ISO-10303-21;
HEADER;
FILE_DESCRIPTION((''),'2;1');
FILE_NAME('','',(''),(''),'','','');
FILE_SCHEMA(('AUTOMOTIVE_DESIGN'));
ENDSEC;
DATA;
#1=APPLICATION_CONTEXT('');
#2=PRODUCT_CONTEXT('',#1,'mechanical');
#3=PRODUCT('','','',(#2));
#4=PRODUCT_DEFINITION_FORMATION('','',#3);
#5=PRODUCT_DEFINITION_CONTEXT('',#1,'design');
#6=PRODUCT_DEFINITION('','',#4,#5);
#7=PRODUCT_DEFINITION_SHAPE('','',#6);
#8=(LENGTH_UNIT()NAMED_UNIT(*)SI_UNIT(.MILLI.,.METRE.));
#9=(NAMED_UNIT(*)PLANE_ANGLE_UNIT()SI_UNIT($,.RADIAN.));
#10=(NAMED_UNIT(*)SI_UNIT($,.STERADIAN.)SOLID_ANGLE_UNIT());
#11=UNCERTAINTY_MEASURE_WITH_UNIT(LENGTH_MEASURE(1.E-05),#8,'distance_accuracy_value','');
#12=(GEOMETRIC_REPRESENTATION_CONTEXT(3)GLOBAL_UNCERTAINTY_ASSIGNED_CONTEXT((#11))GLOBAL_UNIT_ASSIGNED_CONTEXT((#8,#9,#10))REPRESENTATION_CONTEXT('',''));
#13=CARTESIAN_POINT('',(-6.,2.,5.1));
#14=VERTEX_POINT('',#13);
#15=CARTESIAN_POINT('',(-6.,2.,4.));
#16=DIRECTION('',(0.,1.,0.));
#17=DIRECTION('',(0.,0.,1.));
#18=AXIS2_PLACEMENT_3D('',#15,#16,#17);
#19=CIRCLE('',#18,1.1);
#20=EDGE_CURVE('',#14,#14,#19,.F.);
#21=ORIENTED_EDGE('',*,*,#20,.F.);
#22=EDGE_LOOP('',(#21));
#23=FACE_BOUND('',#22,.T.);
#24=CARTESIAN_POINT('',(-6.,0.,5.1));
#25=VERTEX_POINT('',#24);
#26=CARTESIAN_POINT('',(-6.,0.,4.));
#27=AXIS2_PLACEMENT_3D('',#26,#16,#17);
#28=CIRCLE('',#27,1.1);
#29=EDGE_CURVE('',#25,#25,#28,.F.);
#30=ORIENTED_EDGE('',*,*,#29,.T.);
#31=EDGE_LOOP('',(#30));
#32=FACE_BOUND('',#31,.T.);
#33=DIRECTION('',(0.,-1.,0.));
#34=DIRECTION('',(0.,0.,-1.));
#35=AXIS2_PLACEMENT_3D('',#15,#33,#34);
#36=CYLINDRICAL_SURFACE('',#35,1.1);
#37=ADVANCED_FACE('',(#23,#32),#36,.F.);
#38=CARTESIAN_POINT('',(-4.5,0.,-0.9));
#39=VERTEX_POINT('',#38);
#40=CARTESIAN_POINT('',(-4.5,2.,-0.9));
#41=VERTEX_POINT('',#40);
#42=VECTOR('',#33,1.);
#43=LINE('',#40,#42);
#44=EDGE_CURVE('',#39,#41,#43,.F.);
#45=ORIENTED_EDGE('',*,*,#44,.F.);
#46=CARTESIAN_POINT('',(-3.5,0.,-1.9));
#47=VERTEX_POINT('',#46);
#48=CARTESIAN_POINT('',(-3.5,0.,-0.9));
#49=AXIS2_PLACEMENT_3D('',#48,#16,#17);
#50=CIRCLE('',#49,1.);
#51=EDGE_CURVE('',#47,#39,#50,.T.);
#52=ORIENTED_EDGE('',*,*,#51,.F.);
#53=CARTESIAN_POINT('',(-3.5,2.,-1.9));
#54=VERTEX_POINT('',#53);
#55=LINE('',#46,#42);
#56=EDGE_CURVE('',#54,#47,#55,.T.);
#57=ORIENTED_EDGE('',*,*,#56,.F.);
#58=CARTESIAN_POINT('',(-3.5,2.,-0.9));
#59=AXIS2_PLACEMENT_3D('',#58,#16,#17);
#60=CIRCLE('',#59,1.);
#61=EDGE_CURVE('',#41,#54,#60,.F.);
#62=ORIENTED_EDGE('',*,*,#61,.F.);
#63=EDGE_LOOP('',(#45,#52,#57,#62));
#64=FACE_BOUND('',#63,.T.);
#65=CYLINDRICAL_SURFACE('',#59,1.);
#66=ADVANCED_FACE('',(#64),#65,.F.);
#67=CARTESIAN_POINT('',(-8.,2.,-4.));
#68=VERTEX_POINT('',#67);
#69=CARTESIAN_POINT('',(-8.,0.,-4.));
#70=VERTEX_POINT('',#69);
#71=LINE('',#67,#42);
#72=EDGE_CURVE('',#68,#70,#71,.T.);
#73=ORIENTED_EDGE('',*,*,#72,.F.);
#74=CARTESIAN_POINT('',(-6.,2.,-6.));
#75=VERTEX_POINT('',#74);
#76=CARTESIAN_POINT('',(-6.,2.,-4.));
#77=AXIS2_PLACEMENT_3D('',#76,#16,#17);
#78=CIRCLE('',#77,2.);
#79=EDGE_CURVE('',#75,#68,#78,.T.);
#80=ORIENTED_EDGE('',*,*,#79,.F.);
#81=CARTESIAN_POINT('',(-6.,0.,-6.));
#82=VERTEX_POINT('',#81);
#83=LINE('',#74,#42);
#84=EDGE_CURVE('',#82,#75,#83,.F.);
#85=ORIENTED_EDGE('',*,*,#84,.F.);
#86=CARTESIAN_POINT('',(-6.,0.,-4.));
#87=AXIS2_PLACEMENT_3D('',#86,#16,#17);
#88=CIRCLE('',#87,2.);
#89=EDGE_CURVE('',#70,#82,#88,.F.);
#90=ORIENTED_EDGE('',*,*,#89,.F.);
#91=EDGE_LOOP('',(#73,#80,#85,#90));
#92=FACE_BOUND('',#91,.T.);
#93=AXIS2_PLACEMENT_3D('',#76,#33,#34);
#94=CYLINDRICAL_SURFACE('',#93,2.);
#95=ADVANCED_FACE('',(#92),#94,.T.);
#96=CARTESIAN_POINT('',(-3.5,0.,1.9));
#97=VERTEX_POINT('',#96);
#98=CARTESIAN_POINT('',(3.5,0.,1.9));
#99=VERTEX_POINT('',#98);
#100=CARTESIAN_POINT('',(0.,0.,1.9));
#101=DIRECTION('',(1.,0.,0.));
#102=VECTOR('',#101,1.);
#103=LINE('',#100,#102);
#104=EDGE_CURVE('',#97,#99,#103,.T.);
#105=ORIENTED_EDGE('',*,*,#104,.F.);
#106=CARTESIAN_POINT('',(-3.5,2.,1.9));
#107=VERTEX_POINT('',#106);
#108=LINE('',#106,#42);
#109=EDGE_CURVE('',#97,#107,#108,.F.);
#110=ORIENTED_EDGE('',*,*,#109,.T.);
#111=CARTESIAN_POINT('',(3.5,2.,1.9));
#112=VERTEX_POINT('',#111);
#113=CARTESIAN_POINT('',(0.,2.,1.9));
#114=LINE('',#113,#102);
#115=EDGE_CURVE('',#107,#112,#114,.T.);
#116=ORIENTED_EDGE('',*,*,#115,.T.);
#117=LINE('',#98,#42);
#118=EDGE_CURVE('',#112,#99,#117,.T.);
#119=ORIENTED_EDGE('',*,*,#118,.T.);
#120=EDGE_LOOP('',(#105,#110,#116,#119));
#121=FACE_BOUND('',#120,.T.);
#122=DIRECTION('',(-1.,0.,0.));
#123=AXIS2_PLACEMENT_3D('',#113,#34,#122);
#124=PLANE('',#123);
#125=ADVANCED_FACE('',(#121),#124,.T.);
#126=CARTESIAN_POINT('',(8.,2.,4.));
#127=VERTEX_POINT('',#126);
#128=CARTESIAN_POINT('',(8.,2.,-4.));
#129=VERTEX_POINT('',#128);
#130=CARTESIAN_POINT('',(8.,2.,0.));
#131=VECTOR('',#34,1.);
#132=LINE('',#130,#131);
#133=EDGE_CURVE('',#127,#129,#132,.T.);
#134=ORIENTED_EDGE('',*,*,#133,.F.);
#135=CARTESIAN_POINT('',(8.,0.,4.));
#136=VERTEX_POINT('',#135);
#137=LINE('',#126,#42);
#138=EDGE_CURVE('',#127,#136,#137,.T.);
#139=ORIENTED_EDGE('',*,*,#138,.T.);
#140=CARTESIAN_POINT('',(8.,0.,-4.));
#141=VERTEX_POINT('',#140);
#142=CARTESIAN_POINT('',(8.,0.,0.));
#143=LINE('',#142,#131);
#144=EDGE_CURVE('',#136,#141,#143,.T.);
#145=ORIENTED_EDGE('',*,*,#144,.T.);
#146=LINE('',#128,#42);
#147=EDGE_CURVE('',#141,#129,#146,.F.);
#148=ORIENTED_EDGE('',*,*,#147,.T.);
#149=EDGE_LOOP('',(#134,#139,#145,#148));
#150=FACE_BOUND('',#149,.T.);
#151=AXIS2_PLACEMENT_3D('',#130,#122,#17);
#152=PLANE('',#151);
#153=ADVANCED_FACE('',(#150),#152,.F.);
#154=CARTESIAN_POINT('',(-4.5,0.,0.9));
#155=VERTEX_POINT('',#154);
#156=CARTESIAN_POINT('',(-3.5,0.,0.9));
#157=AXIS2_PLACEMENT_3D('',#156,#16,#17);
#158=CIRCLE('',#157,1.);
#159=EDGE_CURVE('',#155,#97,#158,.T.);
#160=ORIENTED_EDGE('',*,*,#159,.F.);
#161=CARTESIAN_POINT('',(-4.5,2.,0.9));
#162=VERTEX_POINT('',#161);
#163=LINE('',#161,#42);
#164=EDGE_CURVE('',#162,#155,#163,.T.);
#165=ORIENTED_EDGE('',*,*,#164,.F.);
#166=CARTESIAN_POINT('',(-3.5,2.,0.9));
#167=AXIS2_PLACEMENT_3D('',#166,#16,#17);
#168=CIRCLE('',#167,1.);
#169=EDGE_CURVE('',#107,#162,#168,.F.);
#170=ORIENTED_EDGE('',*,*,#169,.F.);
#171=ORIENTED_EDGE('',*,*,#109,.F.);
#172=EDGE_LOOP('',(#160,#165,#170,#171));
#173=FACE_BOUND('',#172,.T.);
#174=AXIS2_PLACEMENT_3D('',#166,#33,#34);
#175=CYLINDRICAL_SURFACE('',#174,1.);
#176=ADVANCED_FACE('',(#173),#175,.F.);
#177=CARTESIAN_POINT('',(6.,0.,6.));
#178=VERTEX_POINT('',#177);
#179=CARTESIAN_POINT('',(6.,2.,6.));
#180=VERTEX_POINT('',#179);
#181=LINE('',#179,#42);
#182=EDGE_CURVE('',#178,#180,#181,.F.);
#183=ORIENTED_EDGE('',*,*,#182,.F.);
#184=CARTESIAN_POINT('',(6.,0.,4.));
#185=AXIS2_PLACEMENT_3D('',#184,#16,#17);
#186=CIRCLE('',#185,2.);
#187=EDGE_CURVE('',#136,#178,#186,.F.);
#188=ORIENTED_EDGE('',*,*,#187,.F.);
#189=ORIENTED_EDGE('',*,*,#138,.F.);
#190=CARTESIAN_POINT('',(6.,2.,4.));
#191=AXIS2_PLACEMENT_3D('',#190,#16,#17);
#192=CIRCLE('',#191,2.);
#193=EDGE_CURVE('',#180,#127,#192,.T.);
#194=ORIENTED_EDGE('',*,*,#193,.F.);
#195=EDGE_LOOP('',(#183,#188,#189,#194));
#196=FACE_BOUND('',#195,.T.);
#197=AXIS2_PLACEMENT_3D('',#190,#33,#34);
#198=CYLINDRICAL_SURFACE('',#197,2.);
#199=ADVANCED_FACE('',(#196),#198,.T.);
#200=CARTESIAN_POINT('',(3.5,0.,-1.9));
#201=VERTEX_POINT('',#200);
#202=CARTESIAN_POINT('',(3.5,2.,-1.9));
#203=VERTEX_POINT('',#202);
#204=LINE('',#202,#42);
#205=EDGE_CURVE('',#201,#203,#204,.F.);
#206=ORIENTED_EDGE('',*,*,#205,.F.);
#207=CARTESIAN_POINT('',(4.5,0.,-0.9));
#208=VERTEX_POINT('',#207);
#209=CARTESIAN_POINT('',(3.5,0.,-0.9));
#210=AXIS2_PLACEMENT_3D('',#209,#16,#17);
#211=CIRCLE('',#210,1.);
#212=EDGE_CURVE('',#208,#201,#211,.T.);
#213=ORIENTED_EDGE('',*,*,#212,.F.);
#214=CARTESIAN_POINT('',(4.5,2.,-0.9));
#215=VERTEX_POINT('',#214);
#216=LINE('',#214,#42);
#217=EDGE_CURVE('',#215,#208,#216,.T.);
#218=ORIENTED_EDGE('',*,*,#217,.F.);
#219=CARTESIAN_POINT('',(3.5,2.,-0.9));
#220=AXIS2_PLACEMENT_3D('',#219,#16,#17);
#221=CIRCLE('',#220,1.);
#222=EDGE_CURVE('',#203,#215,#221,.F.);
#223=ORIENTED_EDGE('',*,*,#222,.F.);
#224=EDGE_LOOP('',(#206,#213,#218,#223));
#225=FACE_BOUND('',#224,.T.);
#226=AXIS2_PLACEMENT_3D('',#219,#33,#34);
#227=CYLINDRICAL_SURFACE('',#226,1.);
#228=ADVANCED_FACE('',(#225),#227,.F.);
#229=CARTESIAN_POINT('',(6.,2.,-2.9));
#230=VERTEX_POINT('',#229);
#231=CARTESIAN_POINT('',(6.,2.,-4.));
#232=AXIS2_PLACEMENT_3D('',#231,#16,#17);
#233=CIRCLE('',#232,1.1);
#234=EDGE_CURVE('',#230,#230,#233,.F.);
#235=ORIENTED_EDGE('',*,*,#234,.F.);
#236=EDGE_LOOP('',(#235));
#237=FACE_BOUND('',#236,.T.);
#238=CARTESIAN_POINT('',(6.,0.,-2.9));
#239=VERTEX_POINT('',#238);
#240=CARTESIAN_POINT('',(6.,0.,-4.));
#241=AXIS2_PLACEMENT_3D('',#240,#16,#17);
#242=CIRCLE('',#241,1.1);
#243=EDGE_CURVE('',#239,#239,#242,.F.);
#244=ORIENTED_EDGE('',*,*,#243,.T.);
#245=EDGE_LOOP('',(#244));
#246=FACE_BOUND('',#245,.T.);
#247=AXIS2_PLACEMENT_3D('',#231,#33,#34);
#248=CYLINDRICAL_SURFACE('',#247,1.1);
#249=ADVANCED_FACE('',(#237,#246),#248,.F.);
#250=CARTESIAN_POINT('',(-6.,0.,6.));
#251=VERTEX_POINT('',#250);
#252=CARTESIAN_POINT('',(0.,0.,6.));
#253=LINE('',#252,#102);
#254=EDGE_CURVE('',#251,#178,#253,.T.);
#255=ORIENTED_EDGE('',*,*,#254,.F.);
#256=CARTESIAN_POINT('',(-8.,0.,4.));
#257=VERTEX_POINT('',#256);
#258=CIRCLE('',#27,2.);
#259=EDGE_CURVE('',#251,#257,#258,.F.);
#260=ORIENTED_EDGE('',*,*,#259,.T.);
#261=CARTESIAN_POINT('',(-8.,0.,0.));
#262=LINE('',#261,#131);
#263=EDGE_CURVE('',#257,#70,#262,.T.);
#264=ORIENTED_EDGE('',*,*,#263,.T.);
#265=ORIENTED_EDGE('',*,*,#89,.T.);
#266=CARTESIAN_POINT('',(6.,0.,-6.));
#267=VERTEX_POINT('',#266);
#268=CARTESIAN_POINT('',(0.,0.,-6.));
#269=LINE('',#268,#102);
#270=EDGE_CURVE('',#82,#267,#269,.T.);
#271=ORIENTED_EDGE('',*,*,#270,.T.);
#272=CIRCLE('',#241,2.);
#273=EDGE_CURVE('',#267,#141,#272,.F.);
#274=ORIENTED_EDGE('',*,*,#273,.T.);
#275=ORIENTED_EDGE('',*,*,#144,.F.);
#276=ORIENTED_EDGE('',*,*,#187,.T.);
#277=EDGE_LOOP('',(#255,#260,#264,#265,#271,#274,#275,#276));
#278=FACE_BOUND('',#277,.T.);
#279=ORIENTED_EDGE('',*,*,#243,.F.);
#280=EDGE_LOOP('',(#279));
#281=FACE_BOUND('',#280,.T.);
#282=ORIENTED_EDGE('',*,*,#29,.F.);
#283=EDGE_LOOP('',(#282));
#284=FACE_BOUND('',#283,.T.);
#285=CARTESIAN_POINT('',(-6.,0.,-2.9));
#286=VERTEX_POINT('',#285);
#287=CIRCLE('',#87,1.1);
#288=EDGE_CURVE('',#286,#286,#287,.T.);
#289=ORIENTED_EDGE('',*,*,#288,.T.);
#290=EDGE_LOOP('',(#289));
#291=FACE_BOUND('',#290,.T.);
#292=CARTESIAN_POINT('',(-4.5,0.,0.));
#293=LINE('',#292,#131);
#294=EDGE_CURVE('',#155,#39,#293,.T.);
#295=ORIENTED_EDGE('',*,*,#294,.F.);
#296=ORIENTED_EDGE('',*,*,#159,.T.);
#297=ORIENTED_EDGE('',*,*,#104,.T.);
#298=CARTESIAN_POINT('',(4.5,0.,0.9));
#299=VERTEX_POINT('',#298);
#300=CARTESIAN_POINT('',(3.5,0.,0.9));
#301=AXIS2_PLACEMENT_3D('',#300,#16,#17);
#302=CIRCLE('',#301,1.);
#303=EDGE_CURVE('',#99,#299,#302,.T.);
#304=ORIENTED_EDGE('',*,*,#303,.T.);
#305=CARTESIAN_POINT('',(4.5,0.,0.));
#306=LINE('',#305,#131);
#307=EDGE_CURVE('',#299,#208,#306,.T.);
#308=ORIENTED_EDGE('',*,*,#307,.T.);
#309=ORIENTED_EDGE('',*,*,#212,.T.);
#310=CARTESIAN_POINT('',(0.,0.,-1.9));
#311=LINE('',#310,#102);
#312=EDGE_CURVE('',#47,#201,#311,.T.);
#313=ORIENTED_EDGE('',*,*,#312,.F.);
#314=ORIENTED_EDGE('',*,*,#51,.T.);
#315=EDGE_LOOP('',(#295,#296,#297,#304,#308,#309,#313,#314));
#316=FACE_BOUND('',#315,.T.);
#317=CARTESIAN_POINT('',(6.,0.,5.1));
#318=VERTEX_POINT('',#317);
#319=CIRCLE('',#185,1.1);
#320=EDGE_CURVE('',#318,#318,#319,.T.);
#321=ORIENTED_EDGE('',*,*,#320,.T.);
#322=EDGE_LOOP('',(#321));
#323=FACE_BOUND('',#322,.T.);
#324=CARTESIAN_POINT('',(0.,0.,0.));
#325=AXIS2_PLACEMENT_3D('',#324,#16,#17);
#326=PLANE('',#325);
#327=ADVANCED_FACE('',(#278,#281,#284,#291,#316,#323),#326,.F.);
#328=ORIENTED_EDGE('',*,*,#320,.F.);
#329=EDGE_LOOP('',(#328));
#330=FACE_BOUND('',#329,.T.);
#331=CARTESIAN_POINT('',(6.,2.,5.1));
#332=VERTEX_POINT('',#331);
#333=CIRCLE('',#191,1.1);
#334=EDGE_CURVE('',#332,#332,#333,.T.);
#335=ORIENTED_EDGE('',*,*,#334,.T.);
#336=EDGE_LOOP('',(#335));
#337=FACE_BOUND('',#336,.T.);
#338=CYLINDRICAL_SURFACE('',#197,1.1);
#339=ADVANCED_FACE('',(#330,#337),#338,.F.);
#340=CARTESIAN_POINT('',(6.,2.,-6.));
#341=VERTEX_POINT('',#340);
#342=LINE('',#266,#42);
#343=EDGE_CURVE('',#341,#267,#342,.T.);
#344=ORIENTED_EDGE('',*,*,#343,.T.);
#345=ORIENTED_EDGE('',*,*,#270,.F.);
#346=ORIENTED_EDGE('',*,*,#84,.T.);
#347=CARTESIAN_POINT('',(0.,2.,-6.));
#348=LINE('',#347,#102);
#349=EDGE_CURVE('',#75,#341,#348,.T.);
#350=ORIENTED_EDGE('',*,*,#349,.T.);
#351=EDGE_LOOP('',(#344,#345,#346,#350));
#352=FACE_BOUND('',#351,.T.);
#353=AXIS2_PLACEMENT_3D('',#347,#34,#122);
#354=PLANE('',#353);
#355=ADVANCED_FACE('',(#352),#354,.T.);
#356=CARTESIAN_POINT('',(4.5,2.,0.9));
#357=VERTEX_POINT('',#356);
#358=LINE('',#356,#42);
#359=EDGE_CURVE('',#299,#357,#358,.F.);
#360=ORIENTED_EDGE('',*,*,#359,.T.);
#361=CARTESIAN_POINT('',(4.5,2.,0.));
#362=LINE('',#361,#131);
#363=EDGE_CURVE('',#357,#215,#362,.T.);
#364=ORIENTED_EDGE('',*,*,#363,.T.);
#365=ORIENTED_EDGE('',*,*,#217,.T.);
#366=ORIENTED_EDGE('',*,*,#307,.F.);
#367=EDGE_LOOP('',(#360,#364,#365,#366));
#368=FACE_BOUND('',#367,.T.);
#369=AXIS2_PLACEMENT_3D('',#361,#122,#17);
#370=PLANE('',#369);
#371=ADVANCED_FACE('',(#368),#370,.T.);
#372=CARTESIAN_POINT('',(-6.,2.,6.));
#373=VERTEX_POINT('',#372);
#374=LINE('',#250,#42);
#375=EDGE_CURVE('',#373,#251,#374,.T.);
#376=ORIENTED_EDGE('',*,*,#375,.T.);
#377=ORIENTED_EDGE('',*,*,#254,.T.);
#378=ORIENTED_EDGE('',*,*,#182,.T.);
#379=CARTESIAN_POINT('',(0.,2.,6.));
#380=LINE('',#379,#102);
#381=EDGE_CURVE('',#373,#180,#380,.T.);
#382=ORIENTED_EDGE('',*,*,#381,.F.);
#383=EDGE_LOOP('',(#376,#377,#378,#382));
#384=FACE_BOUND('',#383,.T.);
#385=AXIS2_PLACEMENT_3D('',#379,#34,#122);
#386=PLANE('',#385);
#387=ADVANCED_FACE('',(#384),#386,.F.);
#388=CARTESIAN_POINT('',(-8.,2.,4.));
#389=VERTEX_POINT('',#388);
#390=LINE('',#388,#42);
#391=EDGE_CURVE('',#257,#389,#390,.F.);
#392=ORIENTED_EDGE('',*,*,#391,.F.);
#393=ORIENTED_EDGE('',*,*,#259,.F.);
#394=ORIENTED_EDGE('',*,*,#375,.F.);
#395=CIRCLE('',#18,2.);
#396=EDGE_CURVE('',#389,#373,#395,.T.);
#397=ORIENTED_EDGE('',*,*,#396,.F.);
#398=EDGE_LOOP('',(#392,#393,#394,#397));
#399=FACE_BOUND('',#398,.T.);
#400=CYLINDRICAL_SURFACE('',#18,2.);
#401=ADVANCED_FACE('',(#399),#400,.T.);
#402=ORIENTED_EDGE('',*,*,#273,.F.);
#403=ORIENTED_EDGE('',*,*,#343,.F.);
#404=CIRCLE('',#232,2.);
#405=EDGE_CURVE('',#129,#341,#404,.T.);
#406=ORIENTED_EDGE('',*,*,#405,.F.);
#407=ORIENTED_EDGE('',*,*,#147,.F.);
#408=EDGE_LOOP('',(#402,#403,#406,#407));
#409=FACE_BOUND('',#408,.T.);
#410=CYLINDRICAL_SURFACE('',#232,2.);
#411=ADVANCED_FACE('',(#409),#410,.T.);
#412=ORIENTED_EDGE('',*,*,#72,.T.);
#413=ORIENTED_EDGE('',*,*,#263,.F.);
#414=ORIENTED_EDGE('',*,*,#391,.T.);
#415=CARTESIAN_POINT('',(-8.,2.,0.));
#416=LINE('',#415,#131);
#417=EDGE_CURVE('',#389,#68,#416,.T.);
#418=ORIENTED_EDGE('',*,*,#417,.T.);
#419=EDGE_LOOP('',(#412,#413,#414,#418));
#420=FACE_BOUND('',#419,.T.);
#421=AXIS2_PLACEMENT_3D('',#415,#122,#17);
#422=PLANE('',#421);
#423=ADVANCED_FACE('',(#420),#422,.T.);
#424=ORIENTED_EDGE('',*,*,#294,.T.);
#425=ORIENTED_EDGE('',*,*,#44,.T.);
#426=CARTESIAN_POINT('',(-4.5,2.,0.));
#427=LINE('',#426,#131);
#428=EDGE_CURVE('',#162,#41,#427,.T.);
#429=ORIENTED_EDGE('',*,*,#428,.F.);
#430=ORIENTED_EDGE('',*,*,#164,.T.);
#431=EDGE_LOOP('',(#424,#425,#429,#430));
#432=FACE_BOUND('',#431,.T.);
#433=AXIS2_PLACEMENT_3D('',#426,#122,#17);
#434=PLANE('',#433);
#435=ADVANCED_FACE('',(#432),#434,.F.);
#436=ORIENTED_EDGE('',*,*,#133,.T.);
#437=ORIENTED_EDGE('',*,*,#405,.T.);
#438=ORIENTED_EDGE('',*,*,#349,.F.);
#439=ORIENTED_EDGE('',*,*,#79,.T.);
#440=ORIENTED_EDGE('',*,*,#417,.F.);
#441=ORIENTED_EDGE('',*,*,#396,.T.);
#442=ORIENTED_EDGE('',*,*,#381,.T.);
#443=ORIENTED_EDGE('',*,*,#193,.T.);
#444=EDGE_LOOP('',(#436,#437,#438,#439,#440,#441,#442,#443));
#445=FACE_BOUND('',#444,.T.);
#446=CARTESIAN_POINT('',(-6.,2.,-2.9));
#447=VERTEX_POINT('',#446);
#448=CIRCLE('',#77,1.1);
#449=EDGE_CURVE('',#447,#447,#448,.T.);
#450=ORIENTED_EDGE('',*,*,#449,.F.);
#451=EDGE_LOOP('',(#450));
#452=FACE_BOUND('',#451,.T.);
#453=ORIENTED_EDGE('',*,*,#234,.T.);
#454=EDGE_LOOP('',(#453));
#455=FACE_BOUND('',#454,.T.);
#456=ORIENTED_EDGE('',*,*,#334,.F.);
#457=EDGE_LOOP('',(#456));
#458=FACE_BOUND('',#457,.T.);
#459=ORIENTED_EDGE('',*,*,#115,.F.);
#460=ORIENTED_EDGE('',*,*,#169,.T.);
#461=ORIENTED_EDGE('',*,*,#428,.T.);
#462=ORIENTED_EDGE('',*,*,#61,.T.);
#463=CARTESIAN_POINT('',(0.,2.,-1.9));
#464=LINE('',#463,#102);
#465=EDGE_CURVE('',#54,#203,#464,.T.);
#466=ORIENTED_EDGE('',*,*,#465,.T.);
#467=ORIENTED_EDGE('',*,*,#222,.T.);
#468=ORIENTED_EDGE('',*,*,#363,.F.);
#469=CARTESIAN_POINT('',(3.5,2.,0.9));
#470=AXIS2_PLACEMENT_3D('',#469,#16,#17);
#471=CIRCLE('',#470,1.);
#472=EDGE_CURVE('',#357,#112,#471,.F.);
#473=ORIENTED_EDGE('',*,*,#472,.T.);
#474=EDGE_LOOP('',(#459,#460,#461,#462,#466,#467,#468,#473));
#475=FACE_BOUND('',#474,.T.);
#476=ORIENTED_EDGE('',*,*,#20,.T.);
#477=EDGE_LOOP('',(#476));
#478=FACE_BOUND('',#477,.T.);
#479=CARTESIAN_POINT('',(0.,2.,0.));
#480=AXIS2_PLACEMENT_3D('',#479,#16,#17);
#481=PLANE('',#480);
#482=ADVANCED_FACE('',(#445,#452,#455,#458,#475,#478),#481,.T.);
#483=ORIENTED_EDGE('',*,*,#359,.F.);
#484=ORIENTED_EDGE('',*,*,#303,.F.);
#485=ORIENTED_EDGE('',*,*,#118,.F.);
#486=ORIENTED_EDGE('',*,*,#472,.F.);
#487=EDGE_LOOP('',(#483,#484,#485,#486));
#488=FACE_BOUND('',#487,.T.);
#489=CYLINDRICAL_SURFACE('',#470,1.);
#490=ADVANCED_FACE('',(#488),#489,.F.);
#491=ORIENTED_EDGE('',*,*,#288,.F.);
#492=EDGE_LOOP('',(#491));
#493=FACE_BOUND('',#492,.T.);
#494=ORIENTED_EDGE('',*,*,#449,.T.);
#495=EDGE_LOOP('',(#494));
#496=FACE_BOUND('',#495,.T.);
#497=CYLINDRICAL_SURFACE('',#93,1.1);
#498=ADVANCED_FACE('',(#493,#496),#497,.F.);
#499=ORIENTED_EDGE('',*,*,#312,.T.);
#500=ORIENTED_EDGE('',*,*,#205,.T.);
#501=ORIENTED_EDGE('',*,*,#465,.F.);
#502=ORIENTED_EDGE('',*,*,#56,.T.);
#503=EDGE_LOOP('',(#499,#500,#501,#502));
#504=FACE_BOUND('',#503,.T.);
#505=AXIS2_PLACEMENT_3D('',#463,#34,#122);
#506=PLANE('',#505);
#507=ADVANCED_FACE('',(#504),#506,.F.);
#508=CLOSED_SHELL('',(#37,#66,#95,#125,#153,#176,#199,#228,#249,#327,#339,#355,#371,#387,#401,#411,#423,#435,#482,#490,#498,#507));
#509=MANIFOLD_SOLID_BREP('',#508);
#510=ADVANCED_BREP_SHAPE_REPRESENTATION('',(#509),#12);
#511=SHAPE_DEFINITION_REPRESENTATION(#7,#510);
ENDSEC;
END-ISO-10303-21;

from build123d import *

# Parameters (mm, degrees)
SKETCH_1_W      = 16
SKETCH_1_H      = 12
SKETCH_1_R      = 1.1
SKETCH_1_W_2    = 9
SKETCH_1_H_2    = 3.8
EXTRUDE_1_DEPTH = 2
FILLET_1_R      = 2
FILLET_2_R      = 1


with BuildPart() as part:
    # 草图1 → 凸台-拉伸1 (new body)
    with BuildSketch(Plane(origin=(0, 0, 0), x_dir=(1, 0, 0), z_dir=(0, 1, 0))):
        Rectangle(SKETCH_1_W, SKETCH_1_H)
        with Locations(Location((-6, 4, 0), (0, 0, 270))):
            Circle(SKETCH_1_R, mode=Mode.SUBTRACT)
        with Locations(Location((-6, -4, 0), (0, 0, 270))):
            Circle(SKETCH_1_R, mode=Mode.SUBTRACT)
        with Locations(Location((6, -4, 0), (0, 0, 270))):
            Circle(SKETCH_1_R, mode=Mode.SUBTRACT)
        with Locations(Location((6, 4, 0), (0, 0, 270))):
            Circle(SKETCH_1_R, mode=Mode.SUBTRACT)
        Rectangle(SKETCH_1_W_2, SKETCH_1_H_2, mode=Mode.SUBTRACT)
    extrude(amount=EXTRUDE_1_DEPTH)

    # 圆角1
    fillet_1_edges = [part.edges().sort_by_distance(p)[0] for p in [
        (-8, 1, 6),
        (-8, 1, -6),
        (8, 1, -6),
        (8, 1, 6),
    ]]
    fillet(fillet_1_edges, radius=FILLET_1_R)

    # 圆角2
    fillet_2_edges = [part.edges().sort_by_distance(p)[0] for p in [
        (4.5, 1, -1.9),
        (-4.5, 1, -1.9),
        (-4.5, 1, 1.9),
        (4.5, 1, 1.9),
    ]]
    fillet(fillet_2_edges, radius=FILLET_2_R)


solid = part.part
